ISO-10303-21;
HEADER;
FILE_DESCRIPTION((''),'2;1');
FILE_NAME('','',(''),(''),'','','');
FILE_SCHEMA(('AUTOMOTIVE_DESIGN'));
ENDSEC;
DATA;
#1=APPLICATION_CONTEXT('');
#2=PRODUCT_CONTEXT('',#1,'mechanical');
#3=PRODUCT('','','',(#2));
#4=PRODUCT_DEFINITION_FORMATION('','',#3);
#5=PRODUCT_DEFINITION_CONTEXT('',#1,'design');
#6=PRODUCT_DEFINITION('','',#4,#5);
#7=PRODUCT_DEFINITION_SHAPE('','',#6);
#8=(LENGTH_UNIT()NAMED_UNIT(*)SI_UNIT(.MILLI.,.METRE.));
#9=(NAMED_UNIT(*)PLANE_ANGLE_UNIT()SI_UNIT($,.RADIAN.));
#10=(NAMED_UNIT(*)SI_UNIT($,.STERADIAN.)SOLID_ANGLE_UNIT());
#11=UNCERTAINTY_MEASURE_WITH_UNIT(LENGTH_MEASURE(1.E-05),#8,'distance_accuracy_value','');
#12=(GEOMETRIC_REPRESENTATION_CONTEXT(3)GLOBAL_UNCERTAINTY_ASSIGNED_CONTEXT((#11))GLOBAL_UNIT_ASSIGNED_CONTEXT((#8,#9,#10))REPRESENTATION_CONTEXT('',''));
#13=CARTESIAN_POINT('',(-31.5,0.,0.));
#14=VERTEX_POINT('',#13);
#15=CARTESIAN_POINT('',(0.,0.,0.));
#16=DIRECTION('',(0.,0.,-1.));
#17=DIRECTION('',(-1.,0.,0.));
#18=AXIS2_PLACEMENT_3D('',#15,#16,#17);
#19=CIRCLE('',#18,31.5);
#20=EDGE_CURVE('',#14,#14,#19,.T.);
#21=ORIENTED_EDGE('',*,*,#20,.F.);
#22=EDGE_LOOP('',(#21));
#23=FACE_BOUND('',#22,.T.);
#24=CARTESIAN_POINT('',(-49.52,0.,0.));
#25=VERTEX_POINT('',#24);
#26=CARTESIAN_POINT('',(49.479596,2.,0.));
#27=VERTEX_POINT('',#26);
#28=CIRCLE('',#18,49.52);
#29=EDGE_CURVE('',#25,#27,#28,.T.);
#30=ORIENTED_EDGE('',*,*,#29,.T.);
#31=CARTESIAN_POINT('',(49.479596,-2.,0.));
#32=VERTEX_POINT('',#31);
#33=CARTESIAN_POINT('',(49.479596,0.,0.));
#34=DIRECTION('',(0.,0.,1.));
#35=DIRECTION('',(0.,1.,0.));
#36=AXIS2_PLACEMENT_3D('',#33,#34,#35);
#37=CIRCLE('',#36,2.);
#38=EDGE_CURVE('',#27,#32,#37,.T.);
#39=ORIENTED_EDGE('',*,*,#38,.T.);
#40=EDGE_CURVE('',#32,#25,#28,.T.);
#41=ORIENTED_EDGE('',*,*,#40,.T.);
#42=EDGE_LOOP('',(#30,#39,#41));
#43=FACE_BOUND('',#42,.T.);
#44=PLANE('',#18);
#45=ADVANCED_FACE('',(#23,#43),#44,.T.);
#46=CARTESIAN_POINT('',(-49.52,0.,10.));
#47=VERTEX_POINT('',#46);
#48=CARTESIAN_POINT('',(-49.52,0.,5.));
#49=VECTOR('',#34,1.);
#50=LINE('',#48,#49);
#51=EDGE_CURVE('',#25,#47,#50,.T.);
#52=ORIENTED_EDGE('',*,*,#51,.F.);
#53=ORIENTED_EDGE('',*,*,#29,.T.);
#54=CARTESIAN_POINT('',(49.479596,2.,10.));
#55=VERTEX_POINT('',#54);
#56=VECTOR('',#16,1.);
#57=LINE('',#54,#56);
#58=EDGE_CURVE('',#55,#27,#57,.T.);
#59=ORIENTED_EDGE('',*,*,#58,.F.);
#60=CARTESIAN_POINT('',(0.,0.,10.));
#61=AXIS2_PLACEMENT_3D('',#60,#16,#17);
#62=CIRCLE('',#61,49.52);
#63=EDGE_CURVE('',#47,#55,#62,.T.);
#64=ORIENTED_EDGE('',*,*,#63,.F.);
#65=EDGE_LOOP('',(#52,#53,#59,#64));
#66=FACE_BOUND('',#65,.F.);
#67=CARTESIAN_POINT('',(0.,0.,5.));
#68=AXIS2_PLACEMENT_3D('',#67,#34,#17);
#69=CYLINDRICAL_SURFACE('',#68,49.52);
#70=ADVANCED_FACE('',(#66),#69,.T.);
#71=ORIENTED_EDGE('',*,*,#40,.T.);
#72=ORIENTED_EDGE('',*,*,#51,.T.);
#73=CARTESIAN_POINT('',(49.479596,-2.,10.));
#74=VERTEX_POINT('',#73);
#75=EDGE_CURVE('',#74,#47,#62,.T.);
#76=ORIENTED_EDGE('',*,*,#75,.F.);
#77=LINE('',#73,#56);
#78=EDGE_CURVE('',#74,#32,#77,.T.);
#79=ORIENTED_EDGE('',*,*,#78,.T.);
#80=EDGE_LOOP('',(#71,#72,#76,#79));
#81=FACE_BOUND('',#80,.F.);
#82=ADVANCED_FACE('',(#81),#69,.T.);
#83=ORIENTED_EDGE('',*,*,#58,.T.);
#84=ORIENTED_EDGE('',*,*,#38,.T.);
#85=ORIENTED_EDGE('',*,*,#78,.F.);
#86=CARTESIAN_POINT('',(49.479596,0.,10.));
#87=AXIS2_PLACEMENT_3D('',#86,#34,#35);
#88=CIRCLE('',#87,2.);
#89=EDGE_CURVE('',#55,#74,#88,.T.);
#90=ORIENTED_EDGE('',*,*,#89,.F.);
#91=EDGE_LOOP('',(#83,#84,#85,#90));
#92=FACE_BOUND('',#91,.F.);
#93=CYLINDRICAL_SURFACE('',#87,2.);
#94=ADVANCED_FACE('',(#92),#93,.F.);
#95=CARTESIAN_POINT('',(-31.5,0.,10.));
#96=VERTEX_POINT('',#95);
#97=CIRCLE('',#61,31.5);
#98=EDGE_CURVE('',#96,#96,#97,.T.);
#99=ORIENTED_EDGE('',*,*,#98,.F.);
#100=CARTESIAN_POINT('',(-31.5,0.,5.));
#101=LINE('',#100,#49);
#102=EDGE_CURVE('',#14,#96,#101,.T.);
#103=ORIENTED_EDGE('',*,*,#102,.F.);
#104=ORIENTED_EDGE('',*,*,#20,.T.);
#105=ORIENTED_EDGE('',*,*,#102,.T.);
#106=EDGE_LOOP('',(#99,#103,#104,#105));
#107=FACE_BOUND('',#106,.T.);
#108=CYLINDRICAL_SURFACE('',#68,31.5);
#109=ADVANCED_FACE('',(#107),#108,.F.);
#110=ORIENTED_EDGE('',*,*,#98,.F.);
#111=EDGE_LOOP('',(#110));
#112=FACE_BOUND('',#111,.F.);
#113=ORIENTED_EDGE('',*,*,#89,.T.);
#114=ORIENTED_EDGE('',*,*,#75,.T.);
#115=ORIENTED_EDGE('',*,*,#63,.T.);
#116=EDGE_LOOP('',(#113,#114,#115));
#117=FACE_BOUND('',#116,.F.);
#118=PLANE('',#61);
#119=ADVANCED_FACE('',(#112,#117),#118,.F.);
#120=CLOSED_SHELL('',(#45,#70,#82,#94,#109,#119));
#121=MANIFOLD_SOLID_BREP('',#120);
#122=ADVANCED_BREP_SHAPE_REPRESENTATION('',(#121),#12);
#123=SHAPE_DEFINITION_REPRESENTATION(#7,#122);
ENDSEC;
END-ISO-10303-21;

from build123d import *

# Parameters (mm, degrees)
F0_W     = 18.02
F0_H     = 10
F3_DEPTH = 10.001


with BuildPart() as f1:
    # F0 (on Front) → F1 (revolve)
    with BuildSketch(Plane.XZ):
        with Locations((-40.51, 5)):
            Rectangle(F0_W, F0_H)
    revolve(axis=Axis((0, 0, -4.61845), (0, 0, -1)))

    # F2 (on face) → F3 (cut, through all)
    with BuildSketch(Plane.XY.offset(10)):
        with BuildLine():
            ThreePointArc((49.52, 0), (49.509898, 1.000204), (49.479596, 2))
            ThreePointArc((49.479596, 2), (47.479596, 0), (49.479596, -2))
            ThreePointArc((49.479596, -2), (49.509898, -1.000204), (49.52, 0))
        make_face()
    extrude(amount=-F3_DEPTH, mode=Mode.SUBTRACT)


solid = f1.part
